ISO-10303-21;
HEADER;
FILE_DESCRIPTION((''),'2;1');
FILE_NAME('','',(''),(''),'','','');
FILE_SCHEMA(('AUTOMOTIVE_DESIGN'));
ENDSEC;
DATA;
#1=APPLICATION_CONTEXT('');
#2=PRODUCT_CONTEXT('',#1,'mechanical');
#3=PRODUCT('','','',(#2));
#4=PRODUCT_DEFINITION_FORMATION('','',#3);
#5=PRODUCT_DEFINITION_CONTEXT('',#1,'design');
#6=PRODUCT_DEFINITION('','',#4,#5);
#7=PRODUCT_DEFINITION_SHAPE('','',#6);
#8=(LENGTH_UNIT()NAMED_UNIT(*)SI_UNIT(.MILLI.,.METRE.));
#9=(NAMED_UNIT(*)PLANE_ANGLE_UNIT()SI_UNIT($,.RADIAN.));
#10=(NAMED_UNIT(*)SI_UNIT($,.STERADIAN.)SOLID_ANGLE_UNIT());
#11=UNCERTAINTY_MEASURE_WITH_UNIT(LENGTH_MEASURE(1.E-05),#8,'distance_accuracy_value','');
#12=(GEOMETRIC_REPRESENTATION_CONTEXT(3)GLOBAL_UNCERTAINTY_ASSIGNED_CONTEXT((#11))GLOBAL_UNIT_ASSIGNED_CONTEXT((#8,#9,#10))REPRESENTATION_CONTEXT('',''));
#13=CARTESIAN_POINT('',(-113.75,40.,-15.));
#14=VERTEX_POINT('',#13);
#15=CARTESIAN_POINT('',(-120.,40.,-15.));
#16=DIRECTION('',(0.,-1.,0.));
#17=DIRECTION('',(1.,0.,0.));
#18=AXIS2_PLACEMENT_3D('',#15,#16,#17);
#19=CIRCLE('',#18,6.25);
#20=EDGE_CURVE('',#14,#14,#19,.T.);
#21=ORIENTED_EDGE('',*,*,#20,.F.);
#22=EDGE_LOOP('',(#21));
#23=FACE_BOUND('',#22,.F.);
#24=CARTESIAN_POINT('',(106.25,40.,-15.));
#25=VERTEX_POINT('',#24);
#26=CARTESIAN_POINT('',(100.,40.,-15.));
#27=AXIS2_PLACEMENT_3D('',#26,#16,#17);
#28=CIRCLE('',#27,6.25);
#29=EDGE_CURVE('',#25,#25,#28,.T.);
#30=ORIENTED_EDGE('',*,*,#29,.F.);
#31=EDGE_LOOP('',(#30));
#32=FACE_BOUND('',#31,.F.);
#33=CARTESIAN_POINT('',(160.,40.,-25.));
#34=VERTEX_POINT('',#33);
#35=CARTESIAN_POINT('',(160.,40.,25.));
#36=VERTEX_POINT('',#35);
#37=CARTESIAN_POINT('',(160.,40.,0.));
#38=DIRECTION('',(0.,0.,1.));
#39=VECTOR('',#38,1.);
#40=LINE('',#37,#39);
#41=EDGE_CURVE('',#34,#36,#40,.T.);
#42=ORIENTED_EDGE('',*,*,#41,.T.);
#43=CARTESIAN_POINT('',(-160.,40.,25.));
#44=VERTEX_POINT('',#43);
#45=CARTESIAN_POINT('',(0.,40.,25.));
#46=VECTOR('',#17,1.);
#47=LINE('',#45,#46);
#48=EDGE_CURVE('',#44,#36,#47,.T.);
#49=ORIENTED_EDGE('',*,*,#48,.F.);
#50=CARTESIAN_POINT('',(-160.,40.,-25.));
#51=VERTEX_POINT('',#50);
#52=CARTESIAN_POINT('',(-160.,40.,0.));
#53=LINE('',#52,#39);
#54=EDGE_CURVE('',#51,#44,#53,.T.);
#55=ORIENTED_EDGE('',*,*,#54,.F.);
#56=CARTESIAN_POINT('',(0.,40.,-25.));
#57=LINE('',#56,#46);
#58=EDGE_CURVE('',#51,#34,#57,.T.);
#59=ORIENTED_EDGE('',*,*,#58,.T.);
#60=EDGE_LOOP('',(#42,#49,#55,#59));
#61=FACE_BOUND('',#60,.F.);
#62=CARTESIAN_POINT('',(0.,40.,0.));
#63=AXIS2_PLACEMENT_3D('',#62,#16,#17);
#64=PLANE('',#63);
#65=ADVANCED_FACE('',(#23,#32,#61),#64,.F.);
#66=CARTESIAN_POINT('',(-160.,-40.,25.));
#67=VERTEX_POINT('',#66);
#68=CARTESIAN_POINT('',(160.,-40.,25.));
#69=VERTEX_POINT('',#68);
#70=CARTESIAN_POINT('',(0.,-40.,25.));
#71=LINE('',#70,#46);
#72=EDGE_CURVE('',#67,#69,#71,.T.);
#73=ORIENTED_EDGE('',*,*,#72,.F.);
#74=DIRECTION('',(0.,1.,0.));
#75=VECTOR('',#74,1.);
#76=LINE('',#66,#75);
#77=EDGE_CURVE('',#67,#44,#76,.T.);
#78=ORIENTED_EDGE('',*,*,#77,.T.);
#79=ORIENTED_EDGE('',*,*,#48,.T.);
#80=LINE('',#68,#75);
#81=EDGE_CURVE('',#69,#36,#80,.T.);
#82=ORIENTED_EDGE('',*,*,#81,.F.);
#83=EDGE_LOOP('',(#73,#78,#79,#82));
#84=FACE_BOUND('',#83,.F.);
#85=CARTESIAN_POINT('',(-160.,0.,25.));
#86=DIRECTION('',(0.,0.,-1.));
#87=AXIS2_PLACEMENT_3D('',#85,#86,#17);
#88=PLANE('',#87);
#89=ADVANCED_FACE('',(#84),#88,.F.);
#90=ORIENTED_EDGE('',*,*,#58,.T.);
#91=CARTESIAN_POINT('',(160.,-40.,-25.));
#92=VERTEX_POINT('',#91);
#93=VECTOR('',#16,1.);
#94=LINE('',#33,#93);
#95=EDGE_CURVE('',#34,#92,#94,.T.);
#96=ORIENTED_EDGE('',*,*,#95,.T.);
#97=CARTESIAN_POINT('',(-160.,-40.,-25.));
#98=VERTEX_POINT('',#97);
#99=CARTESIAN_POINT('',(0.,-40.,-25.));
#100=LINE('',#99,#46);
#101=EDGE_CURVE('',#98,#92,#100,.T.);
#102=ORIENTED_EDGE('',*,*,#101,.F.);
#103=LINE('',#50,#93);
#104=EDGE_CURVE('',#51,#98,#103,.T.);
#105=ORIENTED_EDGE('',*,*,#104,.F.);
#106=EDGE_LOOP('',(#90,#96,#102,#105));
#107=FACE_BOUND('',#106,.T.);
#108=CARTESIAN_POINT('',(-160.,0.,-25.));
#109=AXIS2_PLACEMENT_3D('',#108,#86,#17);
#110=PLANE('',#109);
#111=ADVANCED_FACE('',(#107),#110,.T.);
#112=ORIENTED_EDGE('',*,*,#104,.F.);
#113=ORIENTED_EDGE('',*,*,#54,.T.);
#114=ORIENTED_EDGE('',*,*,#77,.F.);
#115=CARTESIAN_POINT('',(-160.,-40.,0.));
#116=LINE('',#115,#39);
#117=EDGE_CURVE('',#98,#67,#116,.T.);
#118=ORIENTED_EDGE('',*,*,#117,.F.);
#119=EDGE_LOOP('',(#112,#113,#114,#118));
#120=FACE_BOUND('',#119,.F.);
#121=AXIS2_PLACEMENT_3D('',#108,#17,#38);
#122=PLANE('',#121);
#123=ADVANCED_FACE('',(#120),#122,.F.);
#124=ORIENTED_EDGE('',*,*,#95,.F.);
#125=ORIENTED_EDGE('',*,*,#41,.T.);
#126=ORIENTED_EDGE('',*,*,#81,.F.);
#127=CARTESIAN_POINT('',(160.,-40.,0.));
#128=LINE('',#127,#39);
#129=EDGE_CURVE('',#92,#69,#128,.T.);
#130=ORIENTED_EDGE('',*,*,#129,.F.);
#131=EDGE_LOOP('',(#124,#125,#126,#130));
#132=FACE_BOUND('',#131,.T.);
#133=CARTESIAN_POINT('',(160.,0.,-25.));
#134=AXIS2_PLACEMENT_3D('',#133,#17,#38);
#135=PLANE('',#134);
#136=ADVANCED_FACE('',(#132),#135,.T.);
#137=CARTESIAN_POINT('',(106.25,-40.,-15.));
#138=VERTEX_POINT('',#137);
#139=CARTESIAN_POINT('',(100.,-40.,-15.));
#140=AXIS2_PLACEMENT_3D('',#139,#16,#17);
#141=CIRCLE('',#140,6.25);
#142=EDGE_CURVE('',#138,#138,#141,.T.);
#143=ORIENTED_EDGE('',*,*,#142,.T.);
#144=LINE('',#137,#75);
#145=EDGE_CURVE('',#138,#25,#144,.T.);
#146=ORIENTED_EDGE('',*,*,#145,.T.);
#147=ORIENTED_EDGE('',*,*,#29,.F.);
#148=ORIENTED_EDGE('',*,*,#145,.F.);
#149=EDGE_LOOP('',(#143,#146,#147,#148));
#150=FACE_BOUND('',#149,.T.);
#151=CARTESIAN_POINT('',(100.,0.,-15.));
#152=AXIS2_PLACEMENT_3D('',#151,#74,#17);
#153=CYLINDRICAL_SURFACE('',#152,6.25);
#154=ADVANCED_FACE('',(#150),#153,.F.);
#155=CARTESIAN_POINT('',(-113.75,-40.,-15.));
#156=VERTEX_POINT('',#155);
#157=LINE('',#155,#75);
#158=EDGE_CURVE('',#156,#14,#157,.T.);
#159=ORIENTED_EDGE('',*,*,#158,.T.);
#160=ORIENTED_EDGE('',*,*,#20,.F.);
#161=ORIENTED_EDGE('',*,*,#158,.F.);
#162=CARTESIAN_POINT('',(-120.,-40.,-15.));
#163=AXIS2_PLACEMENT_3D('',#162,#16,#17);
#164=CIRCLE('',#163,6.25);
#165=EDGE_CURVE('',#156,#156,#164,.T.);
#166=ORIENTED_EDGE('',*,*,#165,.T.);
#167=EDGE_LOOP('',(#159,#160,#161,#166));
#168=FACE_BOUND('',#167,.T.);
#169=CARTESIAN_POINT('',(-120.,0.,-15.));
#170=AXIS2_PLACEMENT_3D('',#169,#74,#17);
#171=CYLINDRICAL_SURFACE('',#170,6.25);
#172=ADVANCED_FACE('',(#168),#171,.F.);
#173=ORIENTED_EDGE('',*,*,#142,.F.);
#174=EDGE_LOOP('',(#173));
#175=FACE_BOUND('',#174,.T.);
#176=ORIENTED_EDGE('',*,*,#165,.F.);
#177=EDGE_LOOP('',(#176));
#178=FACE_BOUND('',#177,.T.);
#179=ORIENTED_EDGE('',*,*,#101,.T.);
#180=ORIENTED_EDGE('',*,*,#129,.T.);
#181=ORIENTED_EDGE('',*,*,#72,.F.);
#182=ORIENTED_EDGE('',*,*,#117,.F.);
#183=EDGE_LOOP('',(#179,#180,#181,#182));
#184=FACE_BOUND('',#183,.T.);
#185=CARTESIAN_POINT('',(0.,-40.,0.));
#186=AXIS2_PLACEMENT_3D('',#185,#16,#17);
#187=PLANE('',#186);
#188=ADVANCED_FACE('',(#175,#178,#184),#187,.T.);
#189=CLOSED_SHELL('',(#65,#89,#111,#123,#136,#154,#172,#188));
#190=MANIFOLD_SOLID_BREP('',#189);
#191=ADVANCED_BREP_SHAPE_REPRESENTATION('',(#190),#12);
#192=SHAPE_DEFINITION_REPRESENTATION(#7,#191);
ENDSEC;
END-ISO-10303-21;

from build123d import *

# Parameters (mm, degrees)
F0_W     = 320
F0_H     = 50
F0_R     = 6.25
F1_DEPTH = 40


with BuildPart() as f1:
    # F0 (on Front) → F1 (new body, symmetric)
    with BuildSketch(Plane.XZ):
        Rectangle(F0_W, F0_H)
        with Locations((-120, -15)):
            Circle(F0_R, mode=Mode.SUBTRACT)
        with Locations((100, -15)):
            Circle(F0_R, mode=Mode.SUBTRACT)
    extrude(amount=F1_DEPTH, both=True)


solid = f1.part
